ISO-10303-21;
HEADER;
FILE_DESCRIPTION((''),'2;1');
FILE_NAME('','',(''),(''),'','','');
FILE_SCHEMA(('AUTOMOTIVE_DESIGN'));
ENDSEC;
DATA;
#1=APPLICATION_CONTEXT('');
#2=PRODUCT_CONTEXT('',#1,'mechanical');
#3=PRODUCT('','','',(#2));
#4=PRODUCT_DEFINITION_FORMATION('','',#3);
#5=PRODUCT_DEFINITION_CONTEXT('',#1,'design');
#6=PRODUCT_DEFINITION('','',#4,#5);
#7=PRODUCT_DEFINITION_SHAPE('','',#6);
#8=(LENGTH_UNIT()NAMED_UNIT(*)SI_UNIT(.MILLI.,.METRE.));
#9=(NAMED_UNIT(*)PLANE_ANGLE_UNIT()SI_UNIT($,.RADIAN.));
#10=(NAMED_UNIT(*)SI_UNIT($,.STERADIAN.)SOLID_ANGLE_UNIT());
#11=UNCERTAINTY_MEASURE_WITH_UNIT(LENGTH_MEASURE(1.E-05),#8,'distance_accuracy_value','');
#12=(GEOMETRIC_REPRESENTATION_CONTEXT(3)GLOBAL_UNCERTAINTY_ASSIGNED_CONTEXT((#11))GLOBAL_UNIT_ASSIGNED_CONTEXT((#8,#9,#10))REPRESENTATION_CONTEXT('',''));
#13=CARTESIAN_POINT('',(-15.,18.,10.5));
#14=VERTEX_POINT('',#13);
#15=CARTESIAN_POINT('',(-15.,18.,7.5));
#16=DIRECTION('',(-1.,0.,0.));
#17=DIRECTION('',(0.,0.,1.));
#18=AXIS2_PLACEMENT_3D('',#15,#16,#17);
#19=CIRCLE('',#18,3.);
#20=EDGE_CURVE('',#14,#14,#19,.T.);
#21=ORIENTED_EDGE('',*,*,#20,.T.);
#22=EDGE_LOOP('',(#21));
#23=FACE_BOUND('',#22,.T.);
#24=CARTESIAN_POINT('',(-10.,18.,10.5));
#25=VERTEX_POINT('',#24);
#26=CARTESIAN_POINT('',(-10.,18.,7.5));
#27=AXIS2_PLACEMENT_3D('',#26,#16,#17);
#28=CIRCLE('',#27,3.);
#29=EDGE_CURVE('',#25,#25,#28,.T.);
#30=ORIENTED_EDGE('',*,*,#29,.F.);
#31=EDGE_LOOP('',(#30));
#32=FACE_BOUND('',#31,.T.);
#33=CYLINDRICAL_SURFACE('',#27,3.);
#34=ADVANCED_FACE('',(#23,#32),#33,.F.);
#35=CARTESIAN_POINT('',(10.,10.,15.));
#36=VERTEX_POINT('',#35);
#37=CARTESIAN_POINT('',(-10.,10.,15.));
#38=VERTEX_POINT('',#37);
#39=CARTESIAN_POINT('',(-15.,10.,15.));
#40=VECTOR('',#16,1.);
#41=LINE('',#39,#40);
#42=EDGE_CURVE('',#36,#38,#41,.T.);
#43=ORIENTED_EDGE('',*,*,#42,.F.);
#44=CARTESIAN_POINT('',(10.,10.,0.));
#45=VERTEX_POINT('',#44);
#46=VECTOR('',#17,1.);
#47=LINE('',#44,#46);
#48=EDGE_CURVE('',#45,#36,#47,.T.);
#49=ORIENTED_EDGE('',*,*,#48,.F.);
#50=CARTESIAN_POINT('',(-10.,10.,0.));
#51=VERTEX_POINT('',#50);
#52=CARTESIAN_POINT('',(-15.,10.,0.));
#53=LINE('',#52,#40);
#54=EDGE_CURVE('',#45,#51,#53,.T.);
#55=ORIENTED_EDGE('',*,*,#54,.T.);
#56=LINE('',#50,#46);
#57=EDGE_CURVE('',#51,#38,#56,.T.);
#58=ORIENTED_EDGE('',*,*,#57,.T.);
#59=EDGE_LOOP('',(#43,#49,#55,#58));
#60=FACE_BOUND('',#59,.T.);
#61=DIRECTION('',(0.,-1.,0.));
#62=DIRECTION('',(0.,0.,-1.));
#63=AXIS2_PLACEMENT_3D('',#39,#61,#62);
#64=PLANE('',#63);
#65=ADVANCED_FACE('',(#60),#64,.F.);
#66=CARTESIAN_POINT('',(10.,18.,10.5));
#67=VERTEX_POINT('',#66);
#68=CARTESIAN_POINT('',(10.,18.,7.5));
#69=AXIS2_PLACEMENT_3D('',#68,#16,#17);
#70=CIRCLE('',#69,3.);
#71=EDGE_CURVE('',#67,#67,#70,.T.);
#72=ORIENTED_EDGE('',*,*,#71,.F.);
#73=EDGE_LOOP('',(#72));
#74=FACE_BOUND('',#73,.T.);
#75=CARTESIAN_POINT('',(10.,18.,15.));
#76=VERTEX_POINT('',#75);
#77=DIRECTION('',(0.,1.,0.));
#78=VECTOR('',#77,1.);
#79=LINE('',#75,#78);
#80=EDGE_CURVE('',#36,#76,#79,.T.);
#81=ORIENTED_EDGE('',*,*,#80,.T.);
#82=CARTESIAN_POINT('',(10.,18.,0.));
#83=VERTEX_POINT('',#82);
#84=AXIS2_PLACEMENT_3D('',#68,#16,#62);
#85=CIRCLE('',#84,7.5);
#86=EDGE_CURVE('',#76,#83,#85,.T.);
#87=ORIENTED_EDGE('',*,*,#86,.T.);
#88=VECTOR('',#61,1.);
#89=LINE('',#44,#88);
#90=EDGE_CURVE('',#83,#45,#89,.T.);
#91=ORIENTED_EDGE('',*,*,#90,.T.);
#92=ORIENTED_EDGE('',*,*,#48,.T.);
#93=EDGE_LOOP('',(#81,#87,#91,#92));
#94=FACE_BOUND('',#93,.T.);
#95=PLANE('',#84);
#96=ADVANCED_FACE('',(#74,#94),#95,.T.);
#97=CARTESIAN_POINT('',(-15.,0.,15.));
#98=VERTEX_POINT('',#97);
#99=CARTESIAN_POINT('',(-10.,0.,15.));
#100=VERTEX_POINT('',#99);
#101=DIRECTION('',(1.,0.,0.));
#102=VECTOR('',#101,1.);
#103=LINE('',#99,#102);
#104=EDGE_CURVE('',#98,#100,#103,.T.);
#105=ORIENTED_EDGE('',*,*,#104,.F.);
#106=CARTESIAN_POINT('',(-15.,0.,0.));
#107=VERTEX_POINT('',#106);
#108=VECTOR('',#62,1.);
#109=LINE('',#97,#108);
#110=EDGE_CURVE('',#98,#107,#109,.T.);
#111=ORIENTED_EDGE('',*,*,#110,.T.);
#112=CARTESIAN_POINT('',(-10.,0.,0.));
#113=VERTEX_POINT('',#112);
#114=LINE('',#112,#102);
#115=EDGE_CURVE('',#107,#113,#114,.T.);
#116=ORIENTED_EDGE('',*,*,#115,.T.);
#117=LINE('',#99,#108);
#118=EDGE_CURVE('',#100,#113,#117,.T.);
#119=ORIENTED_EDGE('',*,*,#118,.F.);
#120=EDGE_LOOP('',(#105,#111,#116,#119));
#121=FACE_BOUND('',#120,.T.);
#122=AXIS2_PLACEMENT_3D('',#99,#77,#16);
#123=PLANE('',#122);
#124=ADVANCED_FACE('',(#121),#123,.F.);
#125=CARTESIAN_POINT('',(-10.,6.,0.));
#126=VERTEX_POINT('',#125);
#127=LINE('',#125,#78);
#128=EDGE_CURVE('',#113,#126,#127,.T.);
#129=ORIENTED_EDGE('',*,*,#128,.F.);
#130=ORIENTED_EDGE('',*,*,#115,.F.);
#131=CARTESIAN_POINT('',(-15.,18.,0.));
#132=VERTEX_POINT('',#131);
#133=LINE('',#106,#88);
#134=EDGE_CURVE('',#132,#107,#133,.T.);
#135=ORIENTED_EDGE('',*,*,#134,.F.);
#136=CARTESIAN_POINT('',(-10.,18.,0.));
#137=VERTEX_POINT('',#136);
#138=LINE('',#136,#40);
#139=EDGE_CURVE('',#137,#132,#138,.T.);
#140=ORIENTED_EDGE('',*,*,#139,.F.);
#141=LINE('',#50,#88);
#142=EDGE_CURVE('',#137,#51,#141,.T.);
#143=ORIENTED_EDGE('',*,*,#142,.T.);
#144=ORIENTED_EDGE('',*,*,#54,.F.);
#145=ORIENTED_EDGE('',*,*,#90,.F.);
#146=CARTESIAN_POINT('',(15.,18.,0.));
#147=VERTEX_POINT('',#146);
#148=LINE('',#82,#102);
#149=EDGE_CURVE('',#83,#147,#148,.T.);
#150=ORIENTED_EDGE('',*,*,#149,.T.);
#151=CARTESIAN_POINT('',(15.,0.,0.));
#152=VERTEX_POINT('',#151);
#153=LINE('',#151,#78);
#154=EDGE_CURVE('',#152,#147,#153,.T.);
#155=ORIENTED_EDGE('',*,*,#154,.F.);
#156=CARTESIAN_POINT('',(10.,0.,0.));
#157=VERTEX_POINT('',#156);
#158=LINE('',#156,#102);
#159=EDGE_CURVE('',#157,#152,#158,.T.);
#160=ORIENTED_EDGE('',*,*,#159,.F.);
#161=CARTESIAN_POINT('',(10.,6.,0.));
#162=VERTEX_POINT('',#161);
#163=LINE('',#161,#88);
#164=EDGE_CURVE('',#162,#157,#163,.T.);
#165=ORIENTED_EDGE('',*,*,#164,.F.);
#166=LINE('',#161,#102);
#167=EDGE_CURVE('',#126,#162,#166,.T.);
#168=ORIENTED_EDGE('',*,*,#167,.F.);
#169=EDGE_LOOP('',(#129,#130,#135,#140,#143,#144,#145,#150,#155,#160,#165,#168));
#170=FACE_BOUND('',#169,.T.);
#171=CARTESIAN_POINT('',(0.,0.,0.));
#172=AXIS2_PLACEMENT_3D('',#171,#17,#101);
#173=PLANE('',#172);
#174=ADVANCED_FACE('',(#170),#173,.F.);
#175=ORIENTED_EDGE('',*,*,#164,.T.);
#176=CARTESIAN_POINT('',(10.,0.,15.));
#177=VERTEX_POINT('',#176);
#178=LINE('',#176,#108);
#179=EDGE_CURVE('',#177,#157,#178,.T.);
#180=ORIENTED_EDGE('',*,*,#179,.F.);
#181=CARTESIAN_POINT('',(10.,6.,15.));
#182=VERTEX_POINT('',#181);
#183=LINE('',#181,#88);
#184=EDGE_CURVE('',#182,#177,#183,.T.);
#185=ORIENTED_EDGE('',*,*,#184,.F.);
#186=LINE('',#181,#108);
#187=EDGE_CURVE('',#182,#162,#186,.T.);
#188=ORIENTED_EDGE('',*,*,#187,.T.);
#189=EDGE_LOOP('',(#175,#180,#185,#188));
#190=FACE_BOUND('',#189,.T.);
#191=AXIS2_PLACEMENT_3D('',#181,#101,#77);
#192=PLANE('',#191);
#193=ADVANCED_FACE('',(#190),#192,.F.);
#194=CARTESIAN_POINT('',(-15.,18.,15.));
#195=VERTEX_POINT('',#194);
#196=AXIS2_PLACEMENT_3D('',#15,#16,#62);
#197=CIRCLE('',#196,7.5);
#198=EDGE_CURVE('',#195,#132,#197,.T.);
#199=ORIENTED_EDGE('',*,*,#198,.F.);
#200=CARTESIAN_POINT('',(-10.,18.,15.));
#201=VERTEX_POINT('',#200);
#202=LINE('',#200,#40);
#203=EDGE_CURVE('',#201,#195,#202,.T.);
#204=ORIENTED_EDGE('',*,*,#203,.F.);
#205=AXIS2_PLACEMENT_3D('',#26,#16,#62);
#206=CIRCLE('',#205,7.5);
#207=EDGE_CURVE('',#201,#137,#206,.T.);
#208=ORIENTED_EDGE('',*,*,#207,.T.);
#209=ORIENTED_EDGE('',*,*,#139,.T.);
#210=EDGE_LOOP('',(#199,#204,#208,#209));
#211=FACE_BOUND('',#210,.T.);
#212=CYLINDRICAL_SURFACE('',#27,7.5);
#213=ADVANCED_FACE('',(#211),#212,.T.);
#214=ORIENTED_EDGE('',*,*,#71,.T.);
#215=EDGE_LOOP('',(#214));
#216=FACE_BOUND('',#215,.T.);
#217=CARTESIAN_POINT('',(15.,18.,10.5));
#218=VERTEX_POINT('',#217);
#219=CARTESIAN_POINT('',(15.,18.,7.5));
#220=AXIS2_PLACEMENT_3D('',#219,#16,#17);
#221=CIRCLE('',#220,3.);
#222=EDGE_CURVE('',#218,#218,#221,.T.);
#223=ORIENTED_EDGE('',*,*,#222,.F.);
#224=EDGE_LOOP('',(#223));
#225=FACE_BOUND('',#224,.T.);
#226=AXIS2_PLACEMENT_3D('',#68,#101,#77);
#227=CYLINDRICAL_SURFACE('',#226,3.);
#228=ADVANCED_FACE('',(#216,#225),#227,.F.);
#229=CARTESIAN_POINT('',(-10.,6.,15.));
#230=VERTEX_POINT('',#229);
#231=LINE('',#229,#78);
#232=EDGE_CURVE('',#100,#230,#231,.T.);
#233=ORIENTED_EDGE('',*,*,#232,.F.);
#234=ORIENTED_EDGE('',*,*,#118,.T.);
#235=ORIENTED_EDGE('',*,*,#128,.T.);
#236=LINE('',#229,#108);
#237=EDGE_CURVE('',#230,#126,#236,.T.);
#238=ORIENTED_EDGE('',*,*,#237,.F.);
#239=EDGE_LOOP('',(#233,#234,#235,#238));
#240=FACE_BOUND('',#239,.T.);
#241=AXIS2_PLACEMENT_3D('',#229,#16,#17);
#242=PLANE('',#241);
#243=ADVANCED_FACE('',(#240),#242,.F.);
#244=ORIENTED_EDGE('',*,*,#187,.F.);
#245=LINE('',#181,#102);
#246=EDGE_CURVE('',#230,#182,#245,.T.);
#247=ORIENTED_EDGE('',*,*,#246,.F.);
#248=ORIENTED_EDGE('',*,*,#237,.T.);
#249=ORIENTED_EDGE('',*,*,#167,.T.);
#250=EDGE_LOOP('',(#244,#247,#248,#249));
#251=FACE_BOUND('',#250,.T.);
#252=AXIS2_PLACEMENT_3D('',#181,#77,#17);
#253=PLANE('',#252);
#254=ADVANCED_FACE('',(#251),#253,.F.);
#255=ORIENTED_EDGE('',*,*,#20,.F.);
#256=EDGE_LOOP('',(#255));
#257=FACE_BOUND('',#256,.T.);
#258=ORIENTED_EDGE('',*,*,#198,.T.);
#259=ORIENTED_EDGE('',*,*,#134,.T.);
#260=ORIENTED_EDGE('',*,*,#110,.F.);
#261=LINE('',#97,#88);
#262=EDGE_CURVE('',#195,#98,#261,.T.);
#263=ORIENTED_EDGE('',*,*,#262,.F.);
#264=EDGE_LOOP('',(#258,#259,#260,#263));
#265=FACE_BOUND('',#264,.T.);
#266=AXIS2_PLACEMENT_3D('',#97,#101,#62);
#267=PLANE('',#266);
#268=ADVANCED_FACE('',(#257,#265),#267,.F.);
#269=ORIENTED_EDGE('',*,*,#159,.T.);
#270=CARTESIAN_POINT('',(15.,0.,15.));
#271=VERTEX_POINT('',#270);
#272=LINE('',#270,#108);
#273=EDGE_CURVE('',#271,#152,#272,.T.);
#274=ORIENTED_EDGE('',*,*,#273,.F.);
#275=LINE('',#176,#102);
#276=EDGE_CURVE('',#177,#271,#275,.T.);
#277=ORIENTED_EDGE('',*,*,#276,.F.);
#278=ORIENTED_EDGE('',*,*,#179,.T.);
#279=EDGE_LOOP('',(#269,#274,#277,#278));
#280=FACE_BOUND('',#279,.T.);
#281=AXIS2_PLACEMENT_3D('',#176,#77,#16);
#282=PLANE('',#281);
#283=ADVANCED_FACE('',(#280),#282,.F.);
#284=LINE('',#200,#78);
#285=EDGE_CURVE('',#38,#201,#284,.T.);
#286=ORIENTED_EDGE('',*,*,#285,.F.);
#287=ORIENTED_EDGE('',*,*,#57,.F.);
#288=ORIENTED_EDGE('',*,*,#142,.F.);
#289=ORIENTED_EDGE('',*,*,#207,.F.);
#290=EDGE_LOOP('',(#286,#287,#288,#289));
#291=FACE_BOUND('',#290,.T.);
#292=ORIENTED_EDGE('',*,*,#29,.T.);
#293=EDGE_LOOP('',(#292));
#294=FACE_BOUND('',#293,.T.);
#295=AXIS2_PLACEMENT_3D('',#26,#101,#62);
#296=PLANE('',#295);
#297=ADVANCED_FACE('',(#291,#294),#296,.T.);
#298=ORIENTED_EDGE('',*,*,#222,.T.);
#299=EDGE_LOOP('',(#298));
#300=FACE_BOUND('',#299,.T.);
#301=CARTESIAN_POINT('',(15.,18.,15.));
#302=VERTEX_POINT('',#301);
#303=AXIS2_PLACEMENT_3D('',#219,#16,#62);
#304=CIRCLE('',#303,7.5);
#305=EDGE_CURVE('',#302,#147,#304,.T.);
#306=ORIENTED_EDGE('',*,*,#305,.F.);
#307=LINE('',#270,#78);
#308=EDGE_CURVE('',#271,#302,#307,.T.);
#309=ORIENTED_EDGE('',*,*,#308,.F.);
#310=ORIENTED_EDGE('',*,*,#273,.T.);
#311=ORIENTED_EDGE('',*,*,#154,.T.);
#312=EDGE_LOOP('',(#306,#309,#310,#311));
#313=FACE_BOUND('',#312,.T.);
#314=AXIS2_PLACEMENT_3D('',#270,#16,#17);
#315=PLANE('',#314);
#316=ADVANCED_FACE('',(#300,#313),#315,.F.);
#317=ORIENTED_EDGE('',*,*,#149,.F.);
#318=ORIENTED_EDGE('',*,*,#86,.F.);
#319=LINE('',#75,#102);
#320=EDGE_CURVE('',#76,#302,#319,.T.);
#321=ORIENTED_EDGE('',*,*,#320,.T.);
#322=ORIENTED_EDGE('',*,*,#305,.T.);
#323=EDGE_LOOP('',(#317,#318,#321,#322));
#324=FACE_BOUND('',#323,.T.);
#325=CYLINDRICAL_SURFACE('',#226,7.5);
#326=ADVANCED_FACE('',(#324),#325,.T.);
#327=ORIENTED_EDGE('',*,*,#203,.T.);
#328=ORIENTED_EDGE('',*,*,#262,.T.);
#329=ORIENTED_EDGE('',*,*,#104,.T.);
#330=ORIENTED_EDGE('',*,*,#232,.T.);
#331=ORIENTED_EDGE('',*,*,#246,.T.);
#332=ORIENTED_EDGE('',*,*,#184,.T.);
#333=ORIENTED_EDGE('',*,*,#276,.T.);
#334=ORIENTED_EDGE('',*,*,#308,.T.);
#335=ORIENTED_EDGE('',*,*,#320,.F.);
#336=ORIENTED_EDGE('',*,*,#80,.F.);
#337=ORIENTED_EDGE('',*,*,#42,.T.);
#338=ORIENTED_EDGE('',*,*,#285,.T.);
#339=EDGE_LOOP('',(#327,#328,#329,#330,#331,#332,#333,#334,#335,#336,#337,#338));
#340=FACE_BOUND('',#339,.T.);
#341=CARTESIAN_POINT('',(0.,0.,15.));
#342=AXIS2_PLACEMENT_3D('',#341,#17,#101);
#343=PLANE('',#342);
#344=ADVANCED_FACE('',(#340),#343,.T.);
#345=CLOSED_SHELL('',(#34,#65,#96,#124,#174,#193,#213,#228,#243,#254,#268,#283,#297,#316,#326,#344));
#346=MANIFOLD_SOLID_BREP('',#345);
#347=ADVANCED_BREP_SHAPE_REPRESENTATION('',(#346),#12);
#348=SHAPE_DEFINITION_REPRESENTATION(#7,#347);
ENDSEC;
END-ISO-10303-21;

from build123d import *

# Parameters (mm, degrees)
EXTRUDE_1_DEPTH     = 15
EXTRUDE_2_DEPTH     = 5
SKETCH_4_R          = 3
CUT_EXTRUDE_1_DEPTH = 5


with BuildPart() as part:
    # 草图1 → 凸台-拉伸1 (new body)
    with BuildSketch(Plane.XY):
        Polygon((10, 6), (-10, 6), (-10, 0), (-15, 0), (-15, 10), (15, 10), (15, 0), (10, 0), align=None)
    extrude(amount=EXTRUDE_1_DEPTH)

    # 草图2 → 凸台-拉伸2 (add)
    with BuildSketch(Plane.ZY.offset(15)):
        with BuildLine():
            Line((0, 10), (0, 18))
            ThreePointArc((0, 18), (7.5, 25.5), (15, 18))
            Line((15, 18), (15, 10))
            Line((15, 10), (0, 10))
        make_face()
    extrude_2 = extrude(amount=-EXTRUDE_2_DEPTH)

    # 草图4 → 切除-拉伸1 (cut)
    with BuildSketch(Plane.ZY.offset(15)):
        with Locations((7.5, 18)):
            Circle(SKETCH_4_R)
    cut_extrude_1 = extrude(amount=-CUT_EXTRUDE_1_DEPTH, mode=Mode.SUBTRACT)

    # 镜向2: 凸台-拉伸2, 切除-拉伸1 across plane
    add(extrude_2.mirror(Plane(origin=(0, 0, 0), x_dir=(0, 0, 1), z_dir=(1, 0, 0))))
    add(cut_extrude_1.mirror(Plane(origin=(0, 0, 0), x_dir=(0, 0, 1), z_dir=(1, 0, 0))), mode=Mode.SUBTRACT)


solid = part.part
